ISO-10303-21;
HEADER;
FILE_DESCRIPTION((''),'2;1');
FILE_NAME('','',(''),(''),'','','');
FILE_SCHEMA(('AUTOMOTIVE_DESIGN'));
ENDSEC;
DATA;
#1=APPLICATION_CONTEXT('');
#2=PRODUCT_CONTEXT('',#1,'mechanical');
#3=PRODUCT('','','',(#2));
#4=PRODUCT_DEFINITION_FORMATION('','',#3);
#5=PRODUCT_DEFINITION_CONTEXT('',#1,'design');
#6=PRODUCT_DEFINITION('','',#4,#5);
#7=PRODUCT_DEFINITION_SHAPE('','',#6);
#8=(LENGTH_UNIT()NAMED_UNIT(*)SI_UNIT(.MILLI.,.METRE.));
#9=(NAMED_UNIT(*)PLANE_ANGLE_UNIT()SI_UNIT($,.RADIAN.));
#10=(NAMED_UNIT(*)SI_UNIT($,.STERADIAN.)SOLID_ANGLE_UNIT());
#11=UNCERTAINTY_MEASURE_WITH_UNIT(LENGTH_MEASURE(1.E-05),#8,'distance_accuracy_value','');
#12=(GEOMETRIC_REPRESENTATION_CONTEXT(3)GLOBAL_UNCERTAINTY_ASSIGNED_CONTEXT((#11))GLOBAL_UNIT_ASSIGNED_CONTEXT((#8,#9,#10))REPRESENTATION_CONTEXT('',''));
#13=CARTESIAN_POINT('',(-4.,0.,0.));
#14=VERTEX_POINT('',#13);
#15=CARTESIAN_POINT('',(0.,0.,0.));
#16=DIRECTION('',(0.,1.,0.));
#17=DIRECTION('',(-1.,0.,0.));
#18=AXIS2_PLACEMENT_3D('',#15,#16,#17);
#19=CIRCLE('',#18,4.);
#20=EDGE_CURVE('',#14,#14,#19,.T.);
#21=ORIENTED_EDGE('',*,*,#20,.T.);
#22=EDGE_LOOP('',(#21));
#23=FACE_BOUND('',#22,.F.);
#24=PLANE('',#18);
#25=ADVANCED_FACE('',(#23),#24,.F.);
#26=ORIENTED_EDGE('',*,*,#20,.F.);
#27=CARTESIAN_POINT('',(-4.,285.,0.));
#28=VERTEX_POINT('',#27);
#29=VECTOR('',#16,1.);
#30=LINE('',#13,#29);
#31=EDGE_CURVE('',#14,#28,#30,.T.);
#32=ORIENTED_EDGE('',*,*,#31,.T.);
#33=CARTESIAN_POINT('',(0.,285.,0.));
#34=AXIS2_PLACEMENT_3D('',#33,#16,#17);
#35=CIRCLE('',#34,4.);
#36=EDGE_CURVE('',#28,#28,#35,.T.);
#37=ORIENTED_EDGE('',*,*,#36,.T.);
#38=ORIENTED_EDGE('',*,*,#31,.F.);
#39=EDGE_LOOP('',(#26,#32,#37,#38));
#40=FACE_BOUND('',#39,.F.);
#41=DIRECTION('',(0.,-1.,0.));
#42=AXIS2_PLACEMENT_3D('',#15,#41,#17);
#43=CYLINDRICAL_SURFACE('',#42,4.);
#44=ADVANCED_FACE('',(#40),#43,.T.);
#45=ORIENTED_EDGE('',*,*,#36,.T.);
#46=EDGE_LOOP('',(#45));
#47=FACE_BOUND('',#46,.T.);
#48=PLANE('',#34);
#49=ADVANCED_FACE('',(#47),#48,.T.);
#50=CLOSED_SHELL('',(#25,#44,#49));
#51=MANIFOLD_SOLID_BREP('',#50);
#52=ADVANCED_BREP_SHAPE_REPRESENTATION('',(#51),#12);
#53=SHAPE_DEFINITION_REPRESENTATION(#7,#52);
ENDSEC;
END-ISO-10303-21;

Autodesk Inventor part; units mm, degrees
ref_plane "YZ Plane" through (0, 0, 0) normal (1, 0, 0) x (0, 1, 0)
ref_plane "XZ Plane" through (0, 0, 0) normal (0, 1, 0) x (-1, 0, 0)
ref_plane "XY Plane" through (0, 0, 0) normal (0, 0, 1) x (1, 0, 0)
sketch "Sketch1" plane through (0, 0, 0) normal (0, 1, 0) x (-1, 0, 0)
  circle A0 centre (0, 0) radius 4
  dimension "d0" = 8
extrude "Extrusion1" add sketch "Sketch1" along normal blind 285
equation "\"d0\" = bar_diameter"
equation "\"d1\" = bar_length"
equation "\"bar_length\" = 285"
equation "\"bar_diameter\" = 8"
properties part number "bar" material "Stainless Steel"
